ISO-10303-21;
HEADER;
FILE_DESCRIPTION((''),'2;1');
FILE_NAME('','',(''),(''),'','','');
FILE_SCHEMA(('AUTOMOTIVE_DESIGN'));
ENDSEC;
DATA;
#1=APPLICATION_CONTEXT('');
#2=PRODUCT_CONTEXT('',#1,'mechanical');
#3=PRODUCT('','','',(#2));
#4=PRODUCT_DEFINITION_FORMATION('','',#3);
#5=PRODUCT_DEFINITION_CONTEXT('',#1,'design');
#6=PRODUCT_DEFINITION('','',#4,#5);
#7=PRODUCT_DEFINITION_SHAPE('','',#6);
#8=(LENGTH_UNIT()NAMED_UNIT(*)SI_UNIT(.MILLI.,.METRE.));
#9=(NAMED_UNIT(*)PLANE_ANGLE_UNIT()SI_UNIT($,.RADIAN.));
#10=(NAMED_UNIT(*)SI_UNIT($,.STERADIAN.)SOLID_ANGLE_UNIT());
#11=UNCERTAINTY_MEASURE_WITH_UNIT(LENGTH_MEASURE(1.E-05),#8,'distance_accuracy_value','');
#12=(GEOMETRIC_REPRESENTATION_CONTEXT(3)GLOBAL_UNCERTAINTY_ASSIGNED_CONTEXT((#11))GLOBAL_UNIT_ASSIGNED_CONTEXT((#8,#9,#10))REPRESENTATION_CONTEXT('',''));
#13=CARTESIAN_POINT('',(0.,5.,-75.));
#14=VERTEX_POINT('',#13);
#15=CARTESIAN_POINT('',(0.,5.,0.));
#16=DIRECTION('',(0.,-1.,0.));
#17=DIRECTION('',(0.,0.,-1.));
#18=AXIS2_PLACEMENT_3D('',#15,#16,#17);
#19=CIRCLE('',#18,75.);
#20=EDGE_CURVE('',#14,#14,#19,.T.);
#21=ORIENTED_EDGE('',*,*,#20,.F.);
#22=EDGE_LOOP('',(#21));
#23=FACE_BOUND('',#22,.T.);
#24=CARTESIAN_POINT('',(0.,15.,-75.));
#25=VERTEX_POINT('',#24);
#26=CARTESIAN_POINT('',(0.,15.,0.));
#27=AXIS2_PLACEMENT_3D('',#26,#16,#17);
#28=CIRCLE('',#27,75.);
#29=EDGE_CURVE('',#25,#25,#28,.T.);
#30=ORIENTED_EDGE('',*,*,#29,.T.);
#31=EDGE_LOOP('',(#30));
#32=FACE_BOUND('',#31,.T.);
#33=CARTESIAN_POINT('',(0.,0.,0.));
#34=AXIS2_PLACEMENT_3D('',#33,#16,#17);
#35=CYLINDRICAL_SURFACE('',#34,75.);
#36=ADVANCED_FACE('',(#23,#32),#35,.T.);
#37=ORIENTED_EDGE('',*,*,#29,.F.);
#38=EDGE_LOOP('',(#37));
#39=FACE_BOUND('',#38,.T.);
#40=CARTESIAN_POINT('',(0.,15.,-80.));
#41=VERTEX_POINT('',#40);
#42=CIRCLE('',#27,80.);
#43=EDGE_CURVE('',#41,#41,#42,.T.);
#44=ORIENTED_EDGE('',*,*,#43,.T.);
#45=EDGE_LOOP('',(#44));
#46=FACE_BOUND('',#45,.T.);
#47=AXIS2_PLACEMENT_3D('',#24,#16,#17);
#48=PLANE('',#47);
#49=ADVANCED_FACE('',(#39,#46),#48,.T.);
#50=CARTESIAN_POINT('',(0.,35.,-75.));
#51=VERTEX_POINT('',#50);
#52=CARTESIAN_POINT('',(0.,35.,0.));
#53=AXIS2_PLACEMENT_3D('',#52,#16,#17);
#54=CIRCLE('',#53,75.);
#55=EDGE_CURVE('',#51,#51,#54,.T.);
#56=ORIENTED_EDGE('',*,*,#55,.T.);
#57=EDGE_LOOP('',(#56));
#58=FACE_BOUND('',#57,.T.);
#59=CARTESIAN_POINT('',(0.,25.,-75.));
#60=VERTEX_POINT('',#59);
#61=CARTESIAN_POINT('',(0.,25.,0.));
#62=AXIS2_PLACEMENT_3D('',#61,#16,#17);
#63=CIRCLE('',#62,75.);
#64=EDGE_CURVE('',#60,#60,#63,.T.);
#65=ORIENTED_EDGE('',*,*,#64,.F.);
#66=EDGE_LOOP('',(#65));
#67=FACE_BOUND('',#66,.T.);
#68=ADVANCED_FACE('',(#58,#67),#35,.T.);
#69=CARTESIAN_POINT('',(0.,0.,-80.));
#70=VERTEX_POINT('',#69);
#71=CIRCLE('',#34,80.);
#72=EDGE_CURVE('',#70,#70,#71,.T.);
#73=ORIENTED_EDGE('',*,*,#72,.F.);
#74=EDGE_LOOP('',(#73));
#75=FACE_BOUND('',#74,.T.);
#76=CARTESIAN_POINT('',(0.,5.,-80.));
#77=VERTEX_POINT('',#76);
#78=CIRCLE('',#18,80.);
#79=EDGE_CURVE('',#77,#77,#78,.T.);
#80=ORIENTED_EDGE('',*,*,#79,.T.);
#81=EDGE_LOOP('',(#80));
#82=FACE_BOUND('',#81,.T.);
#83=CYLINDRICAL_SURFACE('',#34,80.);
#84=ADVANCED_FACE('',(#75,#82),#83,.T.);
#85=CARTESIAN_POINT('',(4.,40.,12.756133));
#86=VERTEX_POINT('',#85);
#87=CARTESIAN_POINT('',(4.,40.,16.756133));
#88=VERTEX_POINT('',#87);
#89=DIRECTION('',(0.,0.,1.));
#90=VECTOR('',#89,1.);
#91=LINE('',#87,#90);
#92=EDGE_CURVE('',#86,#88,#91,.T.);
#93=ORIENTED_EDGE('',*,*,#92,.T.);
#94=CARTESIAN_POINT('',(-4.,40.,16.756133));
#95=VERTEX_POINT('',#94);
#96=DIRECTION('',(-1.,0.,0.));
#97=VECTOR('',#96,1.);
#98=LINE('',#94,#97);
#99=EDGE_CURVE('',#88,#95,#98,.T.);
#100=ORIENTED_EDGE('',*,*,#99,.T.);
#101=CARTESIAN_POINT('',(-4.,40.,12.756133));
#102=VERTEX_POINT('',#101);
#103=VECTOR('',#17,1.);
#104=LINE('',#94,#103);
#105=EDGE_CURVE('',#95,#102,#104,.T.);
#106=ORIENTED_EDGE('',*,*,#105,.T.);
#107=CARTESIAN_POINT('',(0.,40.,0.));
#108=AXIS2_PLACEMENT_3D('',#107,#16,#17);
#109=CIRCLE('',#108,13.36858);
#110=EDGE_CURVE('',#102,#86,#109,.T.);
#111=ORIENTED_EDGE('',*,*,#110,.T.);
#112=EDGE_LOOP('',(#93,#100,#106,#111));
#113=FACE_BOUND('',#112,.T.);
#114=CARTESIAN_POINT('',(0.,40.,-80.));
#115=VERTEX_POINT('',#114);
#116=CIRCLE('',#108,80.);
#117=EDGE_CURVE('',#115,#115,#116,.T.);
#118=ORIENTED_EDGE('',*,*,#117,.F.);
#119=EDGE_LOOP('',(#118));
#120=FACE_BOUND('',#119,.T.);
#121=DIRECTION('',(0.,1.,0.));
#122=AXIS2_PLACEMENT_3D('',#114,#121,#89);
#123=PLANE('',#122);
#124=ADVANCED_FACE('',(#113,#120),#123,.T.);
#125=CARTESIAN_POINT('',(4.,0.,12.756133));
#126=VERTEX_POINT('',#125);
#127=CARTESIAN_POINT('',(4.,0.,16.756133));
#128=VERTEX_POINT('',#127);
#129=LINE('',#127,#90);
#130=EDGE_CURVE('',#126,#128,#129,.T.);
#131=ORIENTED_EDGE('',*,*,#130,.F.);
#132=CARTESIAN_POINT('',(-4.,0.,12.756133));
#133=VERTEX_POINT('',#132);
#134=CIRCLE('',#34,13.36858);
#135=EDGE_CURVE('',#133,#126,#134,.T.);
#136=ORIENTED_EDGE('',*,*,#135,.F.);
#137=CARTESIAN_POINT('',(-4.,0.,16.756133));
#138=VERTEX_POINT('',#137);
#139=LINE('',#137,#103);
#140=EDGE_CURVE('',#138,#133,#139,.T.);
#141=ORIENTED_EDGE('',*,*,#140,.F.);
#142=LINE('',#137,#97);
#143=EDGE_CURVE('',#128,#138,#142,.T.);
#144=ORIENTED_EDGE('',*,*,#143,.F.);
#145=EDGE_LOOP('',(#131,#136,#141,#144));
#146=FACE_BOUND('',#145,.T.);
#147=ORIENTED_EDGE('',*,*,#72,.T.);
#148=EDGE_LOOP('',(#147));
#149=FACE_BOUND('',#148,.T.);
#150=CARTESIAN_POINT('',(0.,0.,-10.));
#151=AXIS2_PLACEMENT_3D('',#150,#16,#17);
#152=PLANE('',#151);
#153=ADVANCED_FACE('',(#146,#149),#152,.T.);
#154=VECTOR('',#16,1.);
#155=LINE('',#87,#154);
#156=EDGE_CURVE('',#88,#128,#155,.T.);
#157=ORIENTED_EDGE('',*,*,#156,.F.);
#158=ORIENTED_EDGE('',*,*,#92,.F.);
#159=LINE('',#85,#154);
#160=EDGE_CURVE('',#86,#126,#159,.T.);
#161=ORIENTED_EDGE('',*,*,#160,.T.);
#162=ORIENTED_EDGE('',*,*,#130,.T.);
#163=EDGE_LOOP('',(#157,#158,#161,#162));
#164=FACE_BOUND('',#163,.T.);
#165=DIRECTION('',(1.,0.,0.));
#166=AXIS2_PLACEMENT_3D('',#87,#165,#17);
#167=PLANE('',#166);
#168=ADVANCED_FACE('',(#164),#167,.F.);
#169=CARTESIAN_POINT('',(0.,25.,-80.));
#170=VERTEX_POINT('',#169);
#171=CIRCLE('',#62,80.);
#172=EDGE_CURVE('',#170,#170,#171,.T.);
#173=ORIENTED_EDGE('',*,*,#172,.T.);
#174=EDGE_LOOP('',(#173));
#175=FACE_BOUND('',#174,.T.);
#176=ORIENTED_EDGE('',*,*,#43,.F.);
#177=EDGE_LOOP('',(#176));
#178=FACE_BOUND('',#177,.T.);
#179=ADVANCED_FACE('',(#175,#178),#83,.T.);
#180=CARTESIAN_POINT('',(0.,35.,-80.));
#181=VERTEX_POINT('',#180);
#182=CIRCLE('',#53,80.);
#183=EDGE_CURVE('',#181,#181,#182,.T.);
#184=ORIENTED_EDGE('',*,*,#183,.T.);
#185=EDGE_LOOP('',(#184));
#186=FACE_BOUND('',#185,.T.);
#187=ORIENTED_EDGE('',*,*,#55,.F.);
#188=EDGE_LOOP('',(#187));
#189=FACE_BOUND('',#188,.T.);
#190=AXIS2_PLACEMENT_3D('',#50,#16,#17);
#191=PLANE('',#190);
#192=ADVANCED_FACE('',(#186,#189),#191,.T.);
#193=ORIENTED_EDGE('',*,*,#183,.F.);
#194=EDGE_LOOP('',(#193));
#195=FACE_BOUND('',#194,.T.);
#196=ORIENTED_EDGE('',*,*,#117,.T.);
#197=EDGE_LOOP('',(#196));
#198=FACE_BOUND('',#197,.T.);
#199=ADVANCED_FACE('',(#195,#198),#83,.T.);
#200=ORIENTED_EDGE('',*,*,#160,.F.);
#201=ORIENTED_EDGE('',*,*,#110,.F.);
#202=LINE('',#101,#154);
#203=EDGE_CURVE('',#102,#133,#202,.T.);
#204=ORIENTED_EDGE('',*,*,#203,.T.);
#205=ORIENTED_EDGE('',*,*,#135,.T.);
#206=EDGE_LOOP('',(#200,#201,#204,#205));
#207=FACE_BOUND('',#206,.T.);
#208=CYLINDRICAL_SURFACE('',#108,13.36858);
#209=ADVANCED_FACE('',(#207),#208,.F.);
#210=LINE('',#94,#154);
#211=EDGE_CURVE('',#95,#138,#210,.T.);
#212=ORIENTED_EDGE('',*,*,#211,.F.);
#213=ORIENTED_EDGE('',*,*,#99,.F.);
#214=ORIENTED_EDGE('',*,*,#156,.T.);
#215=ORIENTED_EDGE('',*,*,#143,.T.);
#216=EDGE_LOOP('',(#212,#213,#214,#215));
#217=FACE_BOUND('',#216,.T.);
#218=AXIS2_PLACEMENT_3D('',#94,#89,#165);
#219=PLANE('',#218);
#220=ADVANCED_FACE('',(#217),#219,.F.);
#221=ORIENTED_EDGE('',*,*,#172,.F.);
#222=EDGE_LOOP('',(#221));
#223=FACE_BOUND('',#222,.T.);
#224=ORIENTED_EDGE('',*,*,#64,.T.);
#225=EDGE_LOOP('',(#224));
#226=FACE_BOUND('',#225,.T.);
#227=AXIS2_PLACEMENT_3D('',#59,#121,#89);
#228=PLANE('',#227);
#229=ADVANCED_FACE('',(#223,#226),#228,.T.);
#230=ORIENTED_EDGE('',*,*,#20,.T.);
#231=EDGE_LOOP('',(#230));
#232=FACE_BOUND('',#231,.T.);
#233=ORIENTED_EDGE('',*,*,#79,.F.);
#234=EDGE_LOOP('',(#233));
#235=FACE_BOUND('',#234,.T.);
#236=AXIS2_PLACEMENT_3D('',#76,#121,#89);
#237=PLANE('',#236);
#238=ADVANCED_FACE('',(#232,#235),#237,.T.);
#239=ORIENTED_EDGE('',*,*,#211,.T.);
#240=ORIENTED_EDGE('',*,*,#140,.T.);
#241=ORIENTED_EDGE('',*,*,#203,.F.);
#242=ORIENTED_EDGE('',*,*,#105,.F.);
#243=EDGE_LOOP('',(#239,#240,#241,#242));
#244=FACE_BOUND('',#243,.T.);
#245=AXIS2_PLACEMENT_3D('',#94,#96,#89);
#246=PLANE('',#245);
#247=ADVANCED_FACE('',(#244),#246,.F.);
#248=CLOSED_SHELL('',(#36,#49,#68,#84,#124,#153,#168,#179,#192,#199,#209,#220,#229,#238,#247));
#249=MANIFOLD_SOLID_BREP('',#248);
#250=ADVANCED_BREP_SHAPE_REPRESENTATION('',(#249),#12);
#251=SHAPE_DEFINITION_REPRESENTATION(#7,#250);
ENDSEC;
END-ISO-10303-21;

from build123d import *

# Parameters (mm, degrees)
CUT_EXTRUDE1_DEPTH = 121


with BuildPart() as part:
    # Sketch1 → Revolve1 (revolve)
    with BuildSketch(Plane(origin=(0, 0, 0), x_dir=(0, 0, -1), z_dir=(1, 0, 0))):
        Polygon((10, 0), (80, 0), (80, 5), (75, 5), (75, 15), (80, 15), (80, 25), (75, 25), (75, 35), (80, 35), (80, 40), (10, 40), align=None)
    revolve(axis=Axis((0, 0, 0), (0, 1, 0)))

    # Sketch2 → Cut-Extrude1 (cut, through all)
    with BuildSketch(Plane.XZ):
        with BuildLine():
            Line((-4, 16.756133146), (4, 16.756133146))
            Line((4, 16.756133146), (4, 12.756133146))
            ThreePointArc((4, 12.756133146), (0, -13.36858006), (-4, 12.756133146))
            Line((-4, 12.756133146), (-4, 16.756133146))
        make_face()
    extrude(amount=-CUT_EXTRUDE1_DEPTH, mode=Mode.SUBTRACT)


solid = part.part
